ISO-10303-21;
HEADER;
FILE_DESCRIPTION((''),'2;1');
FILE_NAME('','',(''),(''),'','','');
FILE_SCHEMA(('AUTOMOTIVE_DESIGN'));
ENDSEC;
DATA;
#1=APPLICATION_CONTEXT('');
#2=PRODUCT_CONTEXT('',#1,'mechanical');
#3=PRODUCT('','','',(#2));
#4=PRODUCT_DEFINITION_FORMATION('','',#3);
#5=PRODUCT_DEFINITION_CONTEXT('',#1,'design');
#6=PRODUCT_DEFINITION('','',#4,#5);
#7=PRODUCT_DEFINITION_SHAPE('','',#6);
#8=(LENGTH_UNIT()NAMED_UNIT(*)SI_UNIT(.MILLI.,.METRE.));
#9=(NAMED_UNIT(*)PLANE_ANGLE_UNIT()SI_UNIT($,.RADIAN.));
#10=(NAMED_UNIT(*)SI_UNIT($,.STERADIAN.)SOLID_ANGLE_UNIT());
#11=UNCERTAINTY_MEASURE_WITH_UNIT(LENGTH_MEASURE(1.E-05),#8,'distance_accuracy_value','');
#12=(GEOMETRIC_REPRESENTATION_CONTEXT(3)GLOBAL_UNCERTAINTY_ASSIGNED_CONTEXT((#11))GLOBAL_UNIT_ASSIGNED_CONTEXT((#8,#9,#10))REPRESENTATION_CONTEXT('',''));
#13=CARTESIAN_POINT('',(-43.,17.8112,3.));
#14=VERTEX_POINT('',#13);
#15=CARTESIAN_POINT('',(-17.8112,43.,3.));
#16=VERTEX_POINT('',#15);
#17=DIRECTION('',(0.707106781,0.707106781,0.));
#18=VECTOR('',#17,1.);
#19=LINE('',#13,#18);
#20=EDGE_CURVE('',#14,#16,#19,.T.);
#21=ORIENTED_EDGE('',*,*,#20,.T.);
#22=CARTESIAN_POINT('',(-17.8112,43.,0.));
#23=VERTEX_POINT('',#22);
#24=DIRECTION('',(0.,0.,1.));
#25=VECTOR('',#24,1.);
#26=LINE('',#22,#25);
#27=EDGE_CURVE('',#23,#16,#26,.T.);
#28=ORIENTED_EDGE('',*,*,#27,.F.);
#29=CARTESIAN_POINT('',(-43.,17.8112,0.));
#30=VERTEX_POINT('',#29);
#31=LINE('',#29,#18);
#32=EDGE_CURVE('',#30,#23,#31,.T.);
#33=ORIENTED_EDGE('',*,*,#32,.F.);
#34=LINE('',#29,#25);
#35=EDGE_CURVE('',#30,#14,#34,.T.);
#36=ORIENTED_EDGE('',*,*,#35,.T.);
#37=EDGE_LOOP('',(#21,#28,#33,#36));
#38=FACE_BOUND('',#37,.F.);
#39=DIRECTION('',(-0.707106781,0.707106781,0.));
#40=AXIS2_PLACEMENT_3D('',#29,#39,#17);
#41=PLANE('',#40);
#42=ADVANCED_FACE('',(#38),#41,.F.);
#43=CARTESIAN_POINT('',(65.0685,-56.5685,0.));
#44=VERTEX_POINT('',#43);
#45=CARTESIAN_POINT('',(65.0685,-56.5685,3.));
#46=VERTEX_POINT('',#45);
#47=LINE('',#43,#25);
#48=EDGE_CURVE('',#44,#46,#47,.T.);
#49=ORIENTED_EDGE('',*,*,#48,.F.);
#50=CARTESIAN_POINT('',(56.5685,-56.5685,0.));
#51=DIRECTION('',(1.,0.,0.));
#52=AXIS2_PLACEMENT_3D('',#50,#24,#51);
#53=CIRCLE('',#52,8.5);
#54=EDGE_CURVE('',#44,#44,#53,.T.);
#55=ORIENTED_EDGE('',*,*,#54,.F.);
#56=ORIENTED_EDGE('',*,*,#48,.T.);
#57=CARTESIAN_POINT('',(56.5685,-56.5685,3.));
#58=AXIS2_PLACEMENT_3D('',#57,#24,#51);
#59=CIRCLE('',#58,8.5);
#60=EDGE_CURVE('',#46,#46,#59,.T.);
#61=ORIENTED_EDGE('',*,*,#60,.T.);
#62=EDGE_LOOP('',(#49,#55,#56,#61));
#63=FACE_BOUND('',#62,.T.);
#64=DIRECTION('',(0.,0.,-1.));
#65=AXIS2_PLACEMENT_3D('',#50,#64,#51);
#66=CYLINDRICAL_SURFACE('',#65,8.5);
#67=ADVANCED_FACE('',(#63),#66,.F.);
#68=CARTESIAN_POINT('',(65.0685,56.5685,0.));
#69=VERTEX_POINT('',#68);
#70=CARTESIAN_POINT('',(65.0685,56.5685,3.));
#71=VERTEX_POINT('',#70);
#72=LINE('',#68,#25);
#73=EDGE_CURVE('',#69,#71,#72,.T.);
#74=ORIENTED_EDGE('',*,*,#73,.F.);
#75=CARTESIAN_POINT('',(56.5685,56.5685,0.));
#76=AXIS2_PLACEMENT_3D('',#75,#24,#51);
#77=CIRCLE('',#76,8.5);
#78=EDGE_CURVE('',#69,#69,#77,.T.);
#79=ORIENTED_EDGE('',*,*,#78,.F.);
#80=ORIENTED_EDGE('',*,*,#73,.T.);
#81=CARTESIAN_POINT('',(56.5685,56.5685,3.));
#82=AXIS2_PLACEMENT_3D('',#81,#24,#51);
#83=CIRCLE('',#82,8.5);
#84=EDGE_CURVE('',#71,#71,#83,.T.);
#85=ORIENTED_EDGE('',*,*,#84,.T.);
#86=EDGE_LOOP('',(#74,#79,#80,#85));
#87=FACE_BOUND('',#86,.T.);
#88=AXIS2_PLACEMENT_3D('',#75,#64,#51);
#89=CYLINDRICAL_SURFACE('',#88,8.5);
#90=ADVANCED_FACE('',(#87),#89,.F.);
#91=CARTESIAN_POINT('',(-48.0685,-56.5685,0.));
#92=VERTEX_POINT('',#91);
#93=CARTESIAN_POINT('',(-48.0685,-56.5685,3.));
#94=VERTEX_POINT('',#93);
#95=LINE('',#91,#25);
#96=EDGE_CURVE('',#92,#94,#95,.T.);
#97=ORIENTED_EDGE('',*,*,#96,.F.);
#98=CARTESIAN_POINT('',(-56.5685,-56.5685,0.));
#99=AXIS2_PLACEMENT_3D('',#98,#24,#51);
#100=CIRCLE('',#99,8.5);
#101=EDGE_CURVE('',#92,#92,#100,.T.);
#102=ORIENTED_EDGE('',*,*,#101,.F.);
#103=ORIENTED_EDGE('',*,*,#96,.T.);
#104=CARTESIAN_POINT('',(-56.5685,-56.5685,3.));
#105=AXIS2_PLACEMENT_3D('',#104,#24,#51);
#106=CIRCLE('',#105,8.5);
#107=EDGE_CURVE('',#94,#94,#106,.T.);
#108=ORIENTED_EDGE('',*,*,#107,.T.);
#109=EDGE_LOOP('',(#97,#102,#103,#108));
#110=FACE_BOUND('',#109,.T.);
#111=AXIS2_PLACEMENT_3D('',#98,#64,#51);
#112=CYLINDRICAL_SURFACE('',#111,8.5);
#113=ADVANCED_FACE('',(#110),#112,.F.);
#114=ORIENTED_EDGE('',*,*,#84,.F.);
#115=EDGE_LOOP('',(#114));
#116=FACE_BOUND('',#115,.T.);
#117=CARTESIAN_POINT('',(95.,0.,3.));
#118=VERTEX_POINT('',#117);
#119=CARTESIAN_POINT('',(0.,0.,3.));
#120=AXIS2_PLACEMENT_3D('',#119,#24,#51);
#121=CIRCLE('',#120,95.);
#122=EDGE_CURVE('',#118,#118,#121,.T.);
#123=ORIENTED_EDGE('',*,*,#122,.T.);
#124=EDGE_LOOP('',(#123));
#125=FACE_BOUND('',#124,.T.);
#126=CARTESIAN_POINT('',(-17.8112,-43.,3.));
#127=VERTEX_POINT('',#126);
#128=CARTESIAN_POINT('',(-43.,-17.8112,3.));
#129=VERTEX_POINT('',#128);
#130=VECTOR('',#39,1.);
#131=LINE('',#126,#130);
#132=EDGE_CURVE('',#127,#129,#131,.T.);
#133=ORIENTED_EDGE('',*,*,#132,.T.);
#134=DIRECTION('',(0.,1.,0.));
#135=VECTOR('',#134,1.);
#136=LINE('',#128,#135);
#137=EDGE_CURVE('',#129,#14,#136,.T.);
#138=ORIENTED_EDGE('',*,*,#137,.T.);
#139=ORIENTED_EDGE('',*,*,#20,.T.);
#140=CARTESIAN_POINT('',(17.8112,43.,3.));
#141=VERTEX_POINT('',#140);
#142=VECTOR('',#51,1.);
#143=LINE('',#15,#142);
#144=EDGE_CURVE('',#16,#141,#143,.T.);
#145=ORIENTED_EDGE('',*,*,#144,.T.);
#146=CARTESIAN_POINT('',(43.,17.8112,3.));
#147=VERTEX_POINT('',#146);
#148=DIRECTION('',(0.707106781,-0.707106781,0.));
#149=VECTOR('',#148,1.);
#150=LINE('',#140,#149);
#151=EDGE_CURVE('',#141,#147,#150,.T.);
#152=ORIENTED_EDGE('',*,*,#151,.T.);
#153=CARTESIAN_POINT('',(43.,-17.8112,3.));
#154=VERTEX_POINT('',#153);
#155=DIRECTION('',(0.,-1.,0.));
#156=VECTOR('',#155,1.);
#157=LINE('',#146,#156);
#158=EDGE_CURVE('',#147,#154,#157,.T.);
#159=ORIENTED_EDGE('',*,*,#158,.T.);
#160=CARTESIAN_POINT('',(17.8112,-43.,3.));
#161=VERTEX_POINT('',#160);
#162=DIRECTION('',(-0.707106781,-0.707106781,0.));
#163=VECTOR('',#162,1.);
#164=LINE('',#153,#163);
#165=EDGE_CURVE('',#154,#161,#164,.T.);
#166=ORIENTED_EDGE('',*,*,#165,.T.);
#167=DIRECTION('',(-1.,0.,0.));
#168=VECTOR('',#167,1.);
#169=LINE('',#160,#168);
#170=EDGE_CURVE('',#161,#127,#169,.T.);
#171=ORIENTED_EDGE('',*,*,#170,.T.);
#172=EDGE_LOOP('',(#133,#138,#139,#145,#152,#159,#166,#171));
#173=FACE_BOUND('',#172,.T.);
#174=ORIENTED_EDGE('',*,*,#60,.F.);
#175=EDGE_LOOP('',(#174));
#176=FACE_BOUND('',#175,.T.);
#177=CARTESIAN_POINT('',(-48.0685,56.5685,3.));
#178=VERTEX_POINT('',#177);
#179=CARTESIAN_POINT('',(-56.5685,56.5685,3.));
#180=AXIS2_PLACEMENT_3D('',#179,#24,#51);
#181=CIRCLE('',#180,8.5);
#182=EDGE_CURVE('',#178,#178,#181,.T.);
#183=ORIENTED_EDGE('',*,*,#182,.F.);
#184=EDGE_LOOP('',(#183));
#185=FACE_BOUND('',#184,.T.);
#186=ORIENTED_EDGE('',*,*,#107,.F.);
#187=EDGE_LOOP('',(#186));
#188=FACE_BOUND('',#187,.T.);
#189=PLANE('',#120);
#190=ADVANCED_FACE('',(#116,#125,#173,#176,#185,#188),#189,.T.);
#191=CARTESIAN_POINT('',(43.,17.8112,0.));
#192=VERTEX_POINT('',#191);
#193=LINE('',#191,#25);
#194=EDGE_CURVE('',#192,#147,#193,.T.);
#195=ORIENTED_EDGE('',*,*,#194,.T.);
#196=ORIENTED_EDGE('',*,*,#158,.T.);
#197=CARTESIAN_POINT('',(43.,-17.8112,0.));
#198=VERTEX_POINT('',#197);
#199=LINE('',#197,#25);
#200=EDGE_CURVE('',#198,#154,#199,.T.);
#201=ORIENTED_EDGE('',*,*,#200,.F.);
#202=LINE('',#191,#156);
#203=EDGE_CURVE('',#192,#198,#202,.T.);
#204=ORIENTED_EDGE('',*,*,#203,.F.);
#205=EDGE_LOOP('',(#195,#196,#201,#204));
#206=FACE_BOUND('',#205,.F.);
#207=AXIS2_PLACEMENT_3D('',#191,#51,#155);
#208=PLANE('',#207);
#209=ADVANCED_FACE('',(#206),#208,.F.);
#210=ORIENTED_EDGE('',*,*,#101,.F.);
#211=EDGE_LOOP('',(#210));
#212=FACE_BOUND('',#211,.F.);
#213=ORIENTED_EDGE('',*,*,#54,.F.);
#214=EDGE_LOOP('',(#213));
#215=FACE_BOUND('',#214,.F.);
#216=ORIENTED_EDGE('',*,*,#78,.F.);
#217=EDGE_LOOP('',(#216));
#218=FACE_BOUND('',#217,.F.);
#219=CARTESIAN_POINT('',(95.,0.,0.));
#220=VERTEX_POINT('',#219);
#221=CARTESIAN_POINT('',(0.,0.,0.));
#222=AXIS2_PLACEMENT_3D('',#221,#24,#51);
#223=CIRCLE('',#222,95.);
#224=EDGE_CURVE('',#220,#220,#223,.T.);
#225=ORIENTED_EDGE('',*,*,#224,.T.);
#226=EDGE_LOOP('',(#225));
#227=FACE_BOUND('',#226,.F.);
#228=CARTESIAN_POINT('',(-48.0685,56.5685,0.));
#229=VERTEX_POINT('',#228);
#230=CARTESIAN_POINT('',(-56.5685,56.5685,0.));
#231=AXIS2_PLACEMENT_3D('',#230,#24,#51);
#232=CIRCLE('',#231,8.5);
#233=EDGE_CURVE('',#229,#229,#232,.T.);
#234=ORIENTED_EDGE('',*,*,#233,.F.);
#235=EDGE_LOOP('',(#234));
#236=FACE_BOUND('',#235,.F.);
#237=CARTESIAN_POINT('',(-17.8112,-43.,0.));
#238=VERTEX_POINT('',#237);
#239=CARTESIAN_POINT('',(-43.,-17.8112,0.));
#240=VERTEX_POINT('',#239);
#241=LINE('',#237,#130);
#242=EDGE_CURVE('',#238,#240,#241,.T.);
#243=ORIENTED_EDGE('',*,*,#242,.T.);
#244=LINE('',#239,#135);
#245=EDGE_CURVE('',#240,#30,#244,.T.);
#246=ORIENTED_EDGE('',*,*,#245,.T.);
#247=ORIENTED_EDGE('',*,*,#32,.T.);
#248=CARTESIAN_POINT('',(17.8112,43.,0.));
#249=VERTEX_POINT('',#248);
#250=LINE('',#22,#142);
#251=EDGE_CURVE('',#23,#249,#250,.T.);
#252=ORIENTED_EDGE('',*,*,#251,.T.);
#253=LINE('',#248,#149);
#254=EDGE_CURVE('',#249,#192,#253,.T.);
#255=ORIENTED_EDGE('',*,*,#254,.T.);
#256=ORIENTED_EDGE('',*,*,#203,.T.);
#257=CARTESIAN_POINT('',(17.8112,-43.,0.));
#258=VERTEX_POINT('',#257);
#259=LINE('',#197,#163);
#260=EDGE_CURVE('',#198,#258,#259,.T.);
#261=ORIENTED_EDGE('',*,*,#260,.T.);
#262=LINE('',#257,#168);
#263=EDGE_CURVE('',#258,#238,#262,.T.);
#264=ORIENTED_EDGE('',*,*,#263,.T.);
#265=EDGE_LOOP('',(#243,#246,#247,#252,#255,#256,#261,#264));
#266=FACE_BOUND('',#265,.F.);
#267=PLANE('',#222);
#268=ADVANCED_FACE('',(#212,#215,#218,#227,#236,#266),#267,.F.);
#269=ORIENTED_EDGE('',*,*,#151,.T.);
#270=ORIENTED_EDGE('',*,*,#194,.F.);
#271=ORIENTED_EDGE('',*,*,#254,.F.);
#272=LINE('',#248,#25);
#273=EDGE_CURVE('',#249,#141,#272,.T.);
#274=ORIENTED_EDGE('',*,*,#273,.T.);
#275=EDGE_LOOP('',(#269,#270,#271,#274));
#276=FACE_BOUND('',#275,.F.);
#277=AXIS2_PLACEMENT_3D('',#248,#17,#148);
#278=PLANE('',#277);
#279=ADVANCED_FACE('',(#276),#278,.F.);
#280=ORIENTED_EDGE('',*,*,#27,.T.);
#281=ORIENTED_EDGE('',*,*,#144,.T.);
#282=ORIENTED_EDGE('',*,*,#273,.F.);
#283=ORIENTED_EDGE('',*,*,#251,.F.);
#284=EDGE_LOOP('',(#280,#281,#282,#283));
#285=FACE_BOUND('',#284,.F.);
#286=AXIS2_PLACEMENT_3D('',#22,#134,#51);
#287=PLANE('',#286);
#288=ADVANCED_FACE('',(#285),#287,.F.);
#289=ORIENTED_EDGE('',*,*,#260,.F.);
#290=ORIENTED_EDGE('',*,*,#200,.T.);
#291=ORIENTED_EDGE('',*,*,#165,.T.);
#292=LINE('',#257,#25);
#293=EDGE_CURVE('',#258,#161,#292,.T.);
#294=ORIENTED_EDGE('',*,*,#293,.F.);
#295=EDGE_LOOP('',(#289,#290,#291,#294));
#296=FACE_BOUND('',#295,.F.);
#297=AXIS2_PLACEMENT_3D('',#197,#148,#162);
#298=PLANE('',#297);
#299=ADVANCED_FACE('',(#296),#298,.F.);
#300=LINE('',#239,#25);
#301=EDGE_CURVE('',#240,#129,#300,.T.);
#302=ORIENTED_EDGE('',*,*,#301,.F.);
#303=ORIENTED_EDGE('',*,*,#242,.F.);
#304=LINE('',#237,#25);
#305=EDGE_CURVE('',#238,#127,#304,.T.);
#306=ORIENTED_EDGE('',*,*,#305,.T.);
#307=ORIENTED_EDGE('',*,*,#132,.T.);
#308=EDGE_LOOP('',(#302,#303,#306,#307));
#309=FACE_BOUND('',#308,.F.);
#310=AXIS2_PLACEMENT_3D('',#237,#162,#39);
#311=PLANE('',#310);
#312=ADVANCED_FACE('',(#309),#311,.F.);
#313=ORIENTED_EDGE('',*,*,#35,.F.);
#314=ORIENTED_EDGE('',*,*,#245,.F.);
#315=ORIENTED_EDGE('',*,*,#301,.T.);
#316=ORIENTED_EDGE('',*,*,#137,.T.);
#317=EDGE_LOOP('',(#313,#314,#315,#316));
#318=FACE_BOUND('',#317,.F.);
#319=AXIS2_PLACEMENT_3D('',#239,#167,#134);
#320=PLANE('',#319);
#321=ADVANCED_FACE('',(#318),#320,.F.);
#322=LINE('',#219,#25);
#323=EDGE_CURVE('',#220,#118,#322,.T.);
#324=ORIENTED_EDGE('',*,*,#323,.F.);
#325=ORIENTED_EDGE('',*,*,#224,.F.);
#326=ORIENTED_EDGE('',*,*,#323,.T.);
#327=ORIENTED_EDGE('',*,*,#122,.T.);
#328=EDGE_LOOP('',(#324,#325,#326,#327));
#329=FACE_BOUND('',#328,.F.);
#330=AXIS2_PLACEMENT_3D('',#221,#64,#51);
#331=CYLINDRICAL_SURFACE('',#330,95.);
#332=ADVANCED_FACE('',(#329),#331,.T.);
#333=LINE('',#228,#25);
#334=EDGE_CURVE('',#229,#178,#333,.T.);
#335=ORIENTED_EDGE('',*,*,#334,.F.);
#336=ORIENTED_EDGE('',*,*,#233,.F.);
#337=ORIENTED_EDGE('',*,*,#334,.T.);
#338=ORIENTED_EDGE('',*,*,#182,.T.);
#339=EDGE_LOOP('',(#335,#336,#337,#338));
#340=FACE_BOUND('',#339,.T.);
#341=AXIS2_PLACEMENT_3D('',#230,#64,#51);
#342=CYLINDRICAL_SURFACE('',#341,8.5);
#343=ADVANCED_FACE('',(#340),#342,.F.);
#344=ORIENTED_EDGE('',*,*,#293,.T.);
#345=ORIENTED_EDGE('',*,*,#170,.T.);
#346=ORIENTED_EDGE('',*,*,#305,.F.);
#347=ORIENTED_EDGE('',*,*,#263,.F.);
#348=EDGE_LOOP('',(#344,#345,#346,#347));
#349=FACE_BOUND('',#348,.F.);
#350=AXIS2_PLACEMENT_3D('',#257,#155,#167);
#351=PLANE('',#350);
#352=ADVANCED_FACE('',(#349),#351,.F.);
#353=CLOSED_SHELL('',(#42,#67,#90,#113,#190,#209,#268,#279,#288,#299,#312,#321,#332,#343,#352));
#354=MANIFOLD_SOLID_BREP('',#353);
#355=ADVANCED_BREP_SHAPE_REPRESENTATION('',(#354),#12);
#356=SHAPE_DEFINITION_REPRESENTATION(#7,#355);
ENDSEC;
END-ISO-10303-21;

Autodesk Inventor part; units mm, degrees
ref_plane "YZ Plane" through (0, 0, 0) normal (1, 0, 0) x (0, 1, 0)
ref_plane "XZ Plane" through (0, 0, 0) normal (0, 1, 0) x (-1, 0, 0)
ref_plane "XY Plane" through (0, 0, 0) normal (0, 0, 1) x (1, 0, 0)
sketch "Sketch1" plane through (0, 0, 0) normal (0, 0, 1) x (1, 0, 0)
  circle A0 centre (0, 0) radius 95
  circle A1 centre (-56.5685, 56.5685) radius 8.5
  circle A2 centre (0, 0) radius 80 construction
  circle A3 centre (-56.5685, -56.5685) radius 8.5
  circle A4 centre (56.5685, -56.5685) radius 8.5
  circle A5 centre (56.5685, 56.5685) radius 8.5
  line L0 (17.8112, -43) -> (-17.8112, -43)
  line L1 (-17.8112, -43) -> (-43, -17.8112)
  line L2 (-43, -17.8112) -> (-43, 17.8112)
  line L3 (-43, 17.8112) -> (-17.8112, 43)
  line L4 (-17.8112, 43) -> (17.8112, 43)
  line L5 (17.8112, 43) -> (43, 17.8112)
  line L6 (43, 17.8112) -> (43, -17.8112)
  line L7 (43, -17.8112) -> (17.8112, -43)
  line L8 (0, 0) -> (-30.4056, 30.4056) construction
  dimension "d171" = 160
  dimension "d157" = 190
  dimension "d170" = 17
  dimension "d174" = 360
  dimension "d176" = 86
extrude "Plate5" add sketch "Sketch1" along normal blind 3
properties part number "PRS 1651 FDS MAIN  FLANGE_D940" material "Stainless Steel"
